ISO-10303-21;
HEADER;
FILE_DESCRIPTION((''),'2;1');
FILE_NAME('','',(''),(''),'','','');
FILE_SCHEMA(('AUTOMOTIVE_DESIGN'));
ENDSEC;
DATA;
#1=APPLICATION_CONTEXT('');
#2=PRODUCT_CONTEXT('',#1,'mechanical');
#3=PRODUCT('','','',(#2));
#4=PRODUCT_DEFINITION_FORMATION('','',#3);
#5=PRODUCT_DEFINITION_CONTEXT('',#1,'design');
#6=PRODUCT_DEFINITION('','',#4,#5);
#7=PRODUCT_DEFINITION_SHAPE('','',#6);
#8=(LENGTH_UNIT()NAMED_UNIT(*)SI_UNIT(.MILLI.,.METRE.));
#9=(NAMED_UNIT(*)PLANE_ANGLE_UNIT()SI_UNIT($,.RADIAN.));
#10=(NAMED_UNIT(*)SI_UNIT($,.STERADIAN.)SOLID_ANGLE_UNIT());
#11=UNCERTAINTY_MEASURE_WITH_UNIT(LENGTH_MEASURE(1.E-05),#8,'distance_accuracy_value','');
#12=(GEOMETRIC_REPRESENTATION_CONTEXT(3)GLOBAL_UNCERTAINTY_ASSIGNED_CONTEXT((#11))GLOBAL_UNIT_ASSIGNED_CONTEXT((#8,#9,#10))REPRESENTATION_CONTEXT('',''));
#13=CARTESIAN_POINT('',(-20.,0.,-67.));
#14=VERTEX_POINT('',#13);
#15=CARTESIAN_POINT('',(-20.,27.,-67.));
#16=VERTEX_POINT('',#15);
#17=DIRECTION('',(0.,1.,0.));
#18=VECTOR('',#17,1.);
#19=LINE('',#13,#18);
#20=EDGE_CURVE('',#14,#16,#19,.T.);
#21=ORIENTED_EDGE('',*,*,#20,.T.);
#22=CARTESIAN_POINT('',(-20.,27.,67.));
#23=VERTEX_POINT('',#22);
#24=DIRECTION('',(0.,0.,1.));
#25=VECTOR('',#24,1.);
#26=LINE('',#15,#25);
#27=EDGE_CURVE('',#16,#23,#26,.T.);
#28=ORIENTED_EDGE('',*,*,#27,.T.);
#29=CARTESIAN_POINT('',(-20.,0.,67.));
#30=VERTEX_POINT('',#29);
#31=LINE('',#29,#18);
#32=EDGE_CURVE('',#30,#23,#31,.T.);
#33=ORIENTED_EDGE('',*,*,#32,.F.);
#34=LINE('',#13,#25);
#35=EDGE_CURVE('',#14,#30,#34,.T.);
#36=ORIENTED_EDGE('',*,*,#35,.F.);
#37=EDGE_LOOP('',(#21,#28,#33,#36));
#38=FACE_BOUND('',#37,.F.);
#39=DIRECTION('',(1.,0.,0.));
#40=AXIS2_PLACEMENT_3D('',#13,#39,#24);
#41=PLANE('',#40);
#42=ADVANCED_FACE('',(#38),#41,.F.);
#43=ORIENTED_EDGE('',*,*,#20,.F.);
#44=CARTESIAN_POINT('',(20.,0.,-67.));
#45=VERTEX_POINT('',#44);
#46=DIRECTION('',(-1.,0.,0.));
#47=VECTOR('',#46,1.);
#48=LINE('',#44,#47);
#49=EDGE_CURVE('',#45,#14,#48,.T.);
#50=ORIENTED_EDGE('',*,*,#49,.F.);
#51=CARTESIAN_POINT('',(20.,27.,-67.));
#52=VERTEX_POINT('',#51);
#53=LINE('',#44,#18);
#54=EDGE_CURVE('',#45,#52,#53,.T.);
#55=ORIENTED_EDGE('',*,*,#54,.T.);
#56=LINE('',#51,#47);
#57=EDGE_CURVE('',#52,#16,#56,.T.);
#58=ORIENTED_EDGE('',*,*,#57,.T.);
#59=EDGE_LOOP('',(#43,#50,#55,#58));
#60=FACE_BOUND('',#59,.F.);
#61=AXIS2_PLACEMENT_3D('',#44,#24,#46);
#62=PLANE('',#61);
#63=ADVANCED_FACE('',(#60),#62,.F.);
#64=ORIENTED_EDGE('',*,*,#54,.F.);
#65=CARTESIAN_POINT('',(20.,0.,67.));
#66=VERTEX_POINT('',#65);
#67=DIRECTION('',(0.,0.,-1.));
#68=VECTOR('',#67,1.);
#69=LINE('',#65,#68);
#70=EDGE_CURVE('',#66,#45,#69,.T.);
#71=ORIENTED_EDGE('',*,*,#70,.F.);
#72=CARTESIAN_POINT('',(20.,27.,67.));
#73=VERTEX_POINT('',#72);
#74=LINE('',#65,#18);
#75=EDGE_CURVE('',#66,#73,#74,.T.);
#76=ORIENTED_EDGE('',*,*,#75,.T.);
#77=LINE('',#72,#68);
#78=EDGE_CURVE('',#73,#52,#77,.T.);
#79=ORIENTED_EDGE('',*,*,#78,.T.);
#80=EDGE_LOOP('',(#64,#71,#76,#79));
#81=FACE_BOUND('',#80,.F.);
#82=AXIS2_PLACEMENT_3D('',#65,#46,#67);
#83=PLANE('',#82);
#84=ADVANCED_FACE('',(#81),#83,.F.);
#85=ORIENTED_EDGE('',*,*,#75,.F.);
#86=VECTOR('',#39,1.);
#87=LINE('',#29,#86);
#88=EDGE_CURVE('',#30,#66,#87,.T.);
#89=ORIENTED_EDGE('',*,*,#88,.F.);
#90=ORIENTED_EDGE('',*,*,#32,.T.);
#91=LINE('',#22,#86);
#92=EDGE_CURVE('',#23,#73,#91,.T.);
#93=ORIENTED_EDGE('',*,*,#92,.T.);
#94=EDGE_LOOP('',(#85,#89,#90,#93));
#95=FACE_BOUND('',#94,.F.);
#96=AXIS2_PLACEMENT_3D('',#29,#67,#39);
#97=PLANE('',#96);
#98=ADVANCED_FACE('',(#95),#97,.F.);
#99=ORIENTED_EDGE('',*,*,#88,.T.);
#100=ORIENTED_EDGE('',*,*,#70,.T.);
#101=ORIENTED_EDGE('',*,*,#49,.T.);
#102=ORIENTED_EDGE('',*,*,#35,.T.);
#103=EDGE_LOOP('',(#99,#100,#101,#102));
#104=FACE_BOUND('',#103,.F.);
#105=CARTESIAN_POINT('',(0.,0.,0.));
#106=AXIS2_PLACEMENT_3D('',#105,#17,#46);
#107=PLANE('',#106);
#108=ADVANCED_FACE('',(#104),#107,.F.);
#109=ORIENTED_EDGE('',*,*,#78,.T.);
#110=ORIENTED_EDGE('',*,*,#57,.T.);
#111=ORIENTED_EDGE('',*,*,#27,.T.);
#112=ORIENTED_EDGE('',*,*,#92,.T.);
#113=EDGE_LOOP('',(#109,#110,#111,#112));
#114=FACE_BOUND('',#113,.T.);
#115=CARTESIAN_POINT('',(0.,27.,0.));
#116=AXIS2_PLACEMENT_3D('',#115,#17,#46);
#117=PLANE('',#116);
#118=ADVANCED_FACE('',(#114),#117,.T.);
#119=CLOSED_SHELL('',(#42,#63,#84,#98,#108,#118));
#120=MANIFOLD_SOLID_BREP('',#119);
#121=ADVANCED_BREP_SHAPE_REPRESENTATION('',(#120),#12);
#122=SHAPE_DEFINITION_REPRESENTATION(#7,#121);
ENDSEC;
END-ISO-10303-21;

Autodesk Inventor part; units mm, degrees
ref_plane "YZ Plane" through (0, 0, 0) normal (1, 0, 0) x (0, 1, 0)
ref_plane "XZ Plane" through (0, 0, 0) normal (0, 1, 0) x (-1, 0, 0)
ref_plane "XY Plane" through (0, 0, 0) normal (0, 0, 1) x (1, 0, 0)
sketch "Sketch1" plane through (0, 0, 0) normal (0, 1, 0) x (-1, 0, 0)
  line L0 (-20, -67) -> (20, -67)
  line L1 (20, -67) -> (20, 67)
  line L2 (20, 67) -> (-20, 67)
  line L3 (-20, 67) -> (-20, -67)
  line L4 (-20, -67) -> (20, 67) construction
  line L5 (20, -67) -> (-20, 67) construction
  point P0 (0, 0)
  dimension "d0" = 40
  dimension "d1" = 134
extrude "Extrusion1" add sketch "Sketch1" along normal blind 27
properties part number "LiPo_Battery_Dummy"
